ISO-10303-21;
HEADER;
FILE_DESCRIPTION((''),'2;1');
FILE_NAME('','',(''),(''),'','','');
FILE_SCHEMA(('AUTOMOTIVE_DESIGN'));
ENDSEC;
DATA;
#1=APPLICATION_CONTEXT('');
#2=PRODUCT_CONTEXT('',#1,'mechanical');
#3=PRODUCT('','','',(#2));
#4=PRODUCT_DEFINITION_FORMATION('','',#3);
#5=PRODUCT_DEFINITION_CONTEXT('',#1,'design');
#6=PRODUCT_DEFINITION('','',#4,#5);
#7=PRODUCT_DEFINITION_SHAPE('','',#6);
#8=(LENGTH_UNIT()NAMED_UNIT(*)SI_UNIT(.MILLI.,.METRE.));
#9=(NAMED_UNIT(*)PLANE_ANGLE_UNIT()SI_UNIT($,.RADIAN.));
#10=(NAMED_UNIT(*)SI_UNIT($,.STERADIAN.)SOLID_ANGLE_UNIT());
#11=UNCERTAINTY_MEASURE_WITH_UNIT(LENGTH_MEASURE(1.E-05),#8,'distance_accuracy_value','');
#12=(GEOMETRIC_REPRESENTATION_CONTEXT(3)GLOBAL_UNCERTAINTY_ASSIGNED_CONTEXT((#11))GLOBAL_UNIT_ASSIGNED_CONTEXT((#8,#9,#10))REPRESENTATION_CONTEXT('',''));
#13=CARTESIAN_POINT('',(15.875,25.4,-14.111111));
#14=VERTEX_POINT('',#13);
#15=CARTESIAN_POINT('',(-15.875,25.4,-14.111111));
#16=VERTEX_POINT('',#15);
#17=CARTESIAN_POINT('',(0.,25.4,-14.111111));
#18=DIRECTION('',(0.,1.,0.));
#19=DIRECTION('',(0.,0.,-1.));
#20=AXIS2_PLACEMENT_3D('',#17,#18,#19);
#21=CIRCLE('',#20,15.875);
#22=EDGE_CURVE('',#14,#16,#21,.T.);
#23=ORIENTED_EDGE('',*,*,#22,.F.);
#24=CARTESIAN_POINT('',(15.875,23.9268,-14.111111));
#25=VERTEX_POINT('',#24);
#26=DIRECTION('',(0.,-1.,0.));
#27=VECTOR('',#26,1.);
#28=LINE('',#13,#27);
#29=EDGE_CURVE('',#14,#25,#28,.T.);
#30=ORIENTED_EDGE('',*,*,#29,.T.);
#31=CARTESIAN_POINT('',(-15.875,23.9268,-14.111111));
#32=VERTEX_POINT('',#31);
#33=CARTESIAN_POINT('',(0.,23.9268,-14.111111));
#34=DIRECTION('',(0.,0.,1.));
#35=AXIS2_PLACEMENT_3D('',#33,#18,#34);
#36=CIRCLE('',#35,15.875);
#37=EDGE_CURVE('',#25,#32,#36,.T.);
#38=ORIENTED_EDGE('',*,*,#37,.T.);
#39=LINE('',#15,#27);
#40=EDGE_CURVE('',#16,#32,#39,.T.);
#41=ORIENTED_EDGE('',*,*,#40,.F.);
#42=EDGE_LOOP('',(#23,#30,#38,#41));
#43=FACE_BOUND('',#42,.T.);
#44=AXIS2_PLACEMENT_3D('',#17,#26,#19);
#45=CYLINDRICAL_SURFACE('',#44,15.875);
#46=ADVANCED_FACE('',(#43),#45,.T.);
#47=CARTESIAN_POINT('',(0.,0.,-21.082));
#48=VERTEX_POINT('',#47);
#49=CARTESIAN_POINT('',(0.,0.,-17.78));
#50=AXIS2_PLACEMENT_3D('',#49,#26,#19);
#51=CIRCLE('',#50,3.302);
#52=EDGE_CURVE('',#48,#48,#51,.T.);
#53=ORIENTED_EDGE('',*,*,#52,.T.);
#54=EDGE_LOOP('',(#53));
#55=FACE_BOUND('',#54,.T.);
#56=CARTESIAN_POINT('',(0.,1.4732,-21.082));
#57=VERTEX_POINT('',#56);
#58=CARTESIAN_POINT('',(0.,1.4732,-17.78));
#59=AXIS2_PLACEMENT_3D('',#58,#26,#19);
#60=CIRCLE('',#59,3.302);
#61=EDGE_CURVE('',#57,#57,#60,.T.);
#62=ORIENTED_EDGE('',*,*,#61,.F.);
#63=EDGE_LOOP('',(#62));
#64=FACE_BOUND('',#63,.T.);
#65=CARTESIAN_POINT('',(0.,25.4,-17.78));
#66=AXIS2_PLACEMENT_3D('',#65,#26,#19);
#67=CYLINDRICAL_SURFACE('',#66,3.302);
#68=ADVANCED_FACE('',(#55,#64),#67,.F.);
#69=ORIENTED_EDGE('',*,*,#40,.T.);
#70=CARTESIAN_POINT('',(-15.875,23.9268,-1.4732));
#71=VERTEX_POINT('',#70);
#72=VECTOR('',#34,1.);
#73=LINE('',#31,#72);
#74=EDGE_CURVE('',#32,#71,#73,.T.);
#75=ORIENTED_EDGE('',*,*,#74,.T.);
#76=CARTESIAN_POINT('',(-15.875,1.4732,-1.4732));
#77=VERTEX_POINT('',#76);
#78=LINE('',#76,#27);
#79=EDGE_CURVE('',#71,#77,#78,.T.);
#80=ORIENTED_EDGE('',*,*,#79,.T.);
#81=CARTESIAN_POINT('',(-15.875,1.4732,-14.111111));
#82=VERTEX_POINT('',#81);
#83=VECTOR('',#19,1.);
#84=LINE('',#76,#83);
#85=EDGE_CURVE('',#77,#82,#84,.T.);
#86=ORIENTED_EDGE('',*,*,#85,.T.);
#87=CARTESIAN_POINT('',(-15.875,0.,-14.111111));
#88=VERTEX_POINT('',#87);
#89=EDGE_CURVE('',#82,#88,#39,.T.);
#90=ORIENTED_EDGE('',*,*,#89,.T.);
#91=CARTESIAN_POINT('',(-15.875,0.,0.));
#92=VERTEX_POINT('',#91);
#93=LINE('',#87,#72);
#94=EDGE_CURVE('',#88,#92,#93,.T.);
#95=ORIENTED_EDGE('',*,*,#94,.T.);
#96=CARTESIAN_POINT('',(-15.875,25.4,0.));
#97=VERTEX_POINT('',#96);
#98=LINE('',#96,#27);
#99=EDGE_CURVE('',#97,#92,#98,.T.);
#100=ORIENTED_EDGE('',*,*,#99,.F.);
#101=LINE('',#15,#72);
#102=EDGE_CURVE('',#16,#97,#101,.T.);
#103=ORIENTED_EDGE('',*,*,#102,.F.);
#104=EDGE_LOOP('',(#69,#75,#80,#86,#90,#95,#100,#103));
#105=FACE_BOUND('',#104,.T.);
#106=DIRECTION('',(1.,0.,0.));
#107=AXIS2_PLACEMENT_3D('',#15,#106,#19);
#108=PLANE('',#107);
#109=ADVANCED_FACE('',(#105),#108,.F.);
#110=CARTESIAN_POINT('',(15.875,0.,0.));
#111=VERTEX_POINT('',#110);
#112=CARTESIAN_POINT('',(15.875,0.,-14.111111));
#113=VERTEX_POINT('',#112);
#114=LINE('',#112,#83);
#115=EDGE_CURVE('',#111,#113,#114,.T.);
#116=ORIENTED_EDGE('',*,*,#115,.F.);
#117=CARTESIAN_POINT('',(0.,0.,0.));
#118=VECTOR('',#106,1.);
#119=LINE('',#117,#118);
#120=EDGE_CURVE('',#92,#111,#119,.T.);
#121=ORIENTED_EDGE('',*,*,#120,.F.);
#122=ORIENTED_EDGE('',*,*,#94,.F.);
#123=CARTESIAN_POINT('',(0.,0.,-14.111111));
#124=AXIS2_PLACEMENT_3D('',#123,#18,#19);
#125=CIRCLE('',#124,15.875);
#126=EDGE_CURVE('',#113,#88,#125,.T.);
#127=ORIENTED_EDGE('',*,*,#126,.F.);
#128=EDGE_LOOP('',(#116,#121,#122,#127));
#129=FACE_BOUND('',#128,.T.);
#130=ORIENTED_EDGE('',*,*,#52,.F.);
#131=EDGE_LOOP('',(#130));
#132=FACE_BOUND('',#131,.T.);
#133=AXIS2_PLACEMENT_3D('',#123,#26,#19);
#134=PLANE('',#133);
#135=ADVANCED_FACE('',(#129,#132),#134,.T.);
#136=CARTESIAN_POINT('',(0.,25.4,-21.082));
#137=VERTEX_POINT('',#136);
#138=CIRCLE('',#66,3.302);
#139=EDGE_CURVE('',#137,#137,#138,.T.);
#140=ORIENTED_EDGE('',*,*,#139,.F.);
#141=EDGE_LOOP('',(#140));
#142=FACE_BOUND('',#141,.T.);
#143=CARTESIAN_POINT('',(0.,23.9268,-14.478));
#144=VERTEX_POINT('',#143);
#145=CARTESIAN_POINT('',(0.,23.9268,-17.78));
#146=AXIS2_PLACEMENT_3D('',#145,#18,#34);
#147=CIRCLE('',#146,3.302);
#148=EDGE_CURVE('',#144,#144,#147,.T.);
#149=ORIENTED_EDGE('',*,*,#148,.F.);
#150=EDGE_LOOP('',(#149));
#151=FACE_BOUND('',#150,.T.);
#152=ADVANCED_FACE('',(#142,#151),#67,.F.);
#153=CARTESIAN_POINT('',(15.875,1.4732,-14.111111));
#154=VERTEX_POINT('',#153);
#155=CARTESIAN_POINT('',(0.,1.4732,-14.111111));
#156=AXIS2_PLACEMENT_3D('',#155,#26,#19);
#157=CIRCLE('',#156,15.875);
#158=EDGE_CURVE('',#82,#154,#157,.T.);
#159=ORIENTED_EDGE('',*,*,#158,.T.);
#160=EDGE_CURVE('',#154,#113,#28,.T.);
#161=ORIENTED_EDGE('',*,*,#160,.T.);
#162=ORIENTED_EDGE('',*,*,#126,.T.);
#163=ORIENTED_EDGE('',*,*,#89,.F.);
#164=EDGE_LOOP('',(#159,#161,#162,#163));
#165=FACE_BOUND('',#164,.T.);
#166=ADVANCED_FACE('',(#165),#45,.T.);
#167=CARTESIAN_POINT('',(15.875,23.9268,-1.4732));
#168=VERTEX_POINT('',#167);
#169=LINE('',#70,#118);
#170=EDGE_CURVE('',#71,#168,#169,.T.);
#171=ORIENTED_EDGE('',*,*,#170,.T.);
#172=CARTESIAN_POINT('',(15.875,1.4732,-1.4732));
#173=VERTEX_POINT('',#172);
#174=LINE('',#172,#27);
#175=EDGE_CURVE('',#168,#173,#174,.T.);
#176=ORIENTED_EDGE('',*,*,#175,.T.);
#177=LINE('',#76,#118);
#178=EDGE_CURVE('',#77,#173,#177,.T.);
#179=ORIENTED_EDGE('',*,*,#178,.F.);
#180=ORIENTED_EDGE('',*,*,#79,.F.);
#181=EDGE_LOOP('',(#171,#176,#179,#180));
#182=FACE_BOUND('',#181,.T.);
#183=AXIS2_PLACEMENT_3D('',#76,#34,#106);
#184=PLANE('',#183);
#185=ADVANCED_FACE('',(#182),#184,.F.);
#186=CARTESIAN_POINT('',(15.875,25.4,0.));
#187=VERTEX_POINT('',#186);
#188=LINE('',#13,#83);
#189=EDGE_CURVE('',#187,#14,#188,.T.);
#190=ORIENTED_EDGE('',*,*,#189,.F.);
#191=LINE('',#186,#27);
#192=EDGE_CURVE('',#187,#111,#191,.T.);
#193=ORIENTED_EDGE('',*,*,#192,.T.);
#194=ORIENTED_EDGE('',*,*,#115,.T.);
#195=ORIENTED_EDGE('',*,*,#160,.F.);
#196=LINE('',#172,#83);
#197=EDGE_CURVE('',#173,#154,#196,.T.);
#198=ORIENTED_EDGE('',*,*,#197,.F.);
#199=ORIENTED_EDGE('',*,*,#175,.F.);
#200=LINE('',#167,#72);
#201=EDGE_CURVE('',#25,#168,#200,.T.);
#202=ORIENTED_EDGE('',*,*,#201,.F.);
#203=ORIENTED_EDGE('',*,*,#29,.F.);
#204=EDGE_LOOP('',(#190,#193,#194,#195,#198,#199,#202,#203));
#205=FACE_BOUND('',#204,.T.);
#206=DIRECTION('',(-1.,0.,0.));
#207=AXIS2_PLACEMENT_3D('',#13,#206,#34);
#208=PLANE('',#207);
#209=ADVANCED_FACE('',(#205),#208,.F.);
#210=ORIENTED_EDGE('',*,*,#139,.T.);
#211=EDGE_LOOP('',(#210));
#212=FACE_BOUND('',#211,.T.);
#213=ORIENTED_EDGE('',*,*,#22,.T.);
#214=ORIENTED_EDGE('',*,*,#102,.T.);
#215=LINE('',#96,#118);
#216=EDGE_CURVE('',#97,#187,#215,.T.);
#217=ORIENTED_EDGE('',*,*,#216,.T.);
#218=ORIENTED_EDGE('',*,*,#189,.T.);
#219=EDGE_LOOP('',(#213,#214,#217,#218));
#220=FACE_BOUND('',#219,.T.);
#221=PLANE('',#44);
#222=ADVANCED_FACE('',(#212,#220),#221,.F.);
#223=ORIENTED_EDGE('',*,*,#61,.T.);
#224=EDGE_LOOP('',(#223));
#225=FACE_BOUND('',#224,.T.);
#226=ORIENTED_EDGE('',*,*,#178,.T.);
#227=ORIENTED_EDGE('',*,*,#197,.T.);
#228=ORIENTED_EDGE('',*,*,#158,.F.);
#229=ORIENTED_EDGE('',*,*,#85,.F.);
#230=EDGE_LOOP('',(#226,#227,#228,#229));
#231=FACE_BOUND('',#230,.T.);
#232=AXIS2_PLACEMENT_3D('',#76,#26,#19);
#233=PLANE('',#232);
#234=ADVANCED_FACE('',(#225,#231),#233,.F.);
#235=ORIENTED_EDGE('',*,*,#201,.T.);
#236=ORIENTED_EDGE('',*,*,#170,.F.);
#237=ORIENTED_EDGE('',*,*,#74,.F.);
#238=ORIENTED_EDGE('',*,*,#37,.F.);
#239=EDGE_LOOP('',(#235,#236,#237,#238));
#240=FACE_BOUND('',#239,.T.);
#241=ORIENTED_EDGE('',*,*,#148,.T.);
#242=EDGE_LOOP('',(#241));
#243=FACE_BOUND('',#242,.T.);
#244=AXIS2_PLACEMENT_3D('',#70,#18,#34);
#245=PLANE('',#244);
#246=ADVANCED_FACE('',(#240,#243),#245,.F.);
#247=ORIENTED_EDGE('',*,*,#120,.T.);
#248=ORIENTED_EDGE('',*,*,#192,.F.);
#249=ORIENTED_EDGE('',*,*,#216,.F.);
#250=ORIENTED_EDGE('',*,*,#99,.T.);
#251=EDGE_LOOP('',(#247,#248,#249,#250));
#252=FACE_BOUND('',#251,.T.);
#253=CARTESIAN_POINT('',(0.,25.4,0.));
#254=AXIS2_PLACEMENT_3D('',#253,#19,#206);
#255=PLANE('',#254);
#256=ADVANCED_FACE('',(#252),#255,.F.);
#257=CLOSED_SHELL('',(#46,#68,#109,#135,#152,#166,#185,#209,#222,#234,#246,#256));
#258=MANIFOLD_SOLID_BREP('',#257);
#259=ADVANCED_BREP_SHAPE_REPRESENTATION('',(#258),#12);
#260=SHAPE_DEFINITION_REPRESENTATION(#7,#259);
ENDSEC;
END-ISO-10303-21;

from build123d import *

# Parameters (mm, degrees)
BOSS_EXTRUDE2_DEPTH = 25.4
SKETCH2_W           = 64.689945596
SKETCH2_H           = 22.4536
CUT_EXTRUDE1_DEPTH  = 51.521177338
SKETCH5_R           = 3.302
CUT_EXTRUDE2_DEPTH  = 43.38328072


with BuildPart() as part:
    # Sketch1 → Boss-Extrude2 (new body)
    with BuildSketch(Plane(origin=(0, 0, 0), x_dir=(1, 0, 0), z_dir=(0, 1, 0))):
        with BuildLine():
            Line((15.875, 14.111111111), (15.875, 0))
            Line((15.875, 0), (0, 0))
            Line((0, 0), (-15.875, 0))
            Line((-15.875, 0), (-15.875, 14.111111111))
            ThreePointArc((-15.875, 14.111111111), (0, 29.986111111), (15.875, 14.111111111))
        make_face()
    extrude(amount=BOSS_EXTRUDE2_DEPTH)

    # Sketch2 → Cut-Extrude1 (cut, through all)
    with BuildSketch(Plane(origin=(15.875, 0, 0), x_dir=(0, 0, -1), z_dir=(1, 0, 0))):
        with Locations((33.818172798, 12.7)):
            Rectangle(SKETCH2_W, SKETCH2_H)
    extrude(amount=-CUT_EXTRUDE1_DEPTH, mode=Mode.SUBTRACT)

    # Sketch5 → Cut-Extrude2 (cut, through all)
    with BuildSketch(Plane.XZ):
        with Locations(Location((0, -17.78, 0), (0, 0, 270))):
            Circle(SKETCH5_R)
    extrude(amount=-CUT_EXTRUDE2_DEPTH, mode=Mode.SUBTRACT)


solid = part.part
